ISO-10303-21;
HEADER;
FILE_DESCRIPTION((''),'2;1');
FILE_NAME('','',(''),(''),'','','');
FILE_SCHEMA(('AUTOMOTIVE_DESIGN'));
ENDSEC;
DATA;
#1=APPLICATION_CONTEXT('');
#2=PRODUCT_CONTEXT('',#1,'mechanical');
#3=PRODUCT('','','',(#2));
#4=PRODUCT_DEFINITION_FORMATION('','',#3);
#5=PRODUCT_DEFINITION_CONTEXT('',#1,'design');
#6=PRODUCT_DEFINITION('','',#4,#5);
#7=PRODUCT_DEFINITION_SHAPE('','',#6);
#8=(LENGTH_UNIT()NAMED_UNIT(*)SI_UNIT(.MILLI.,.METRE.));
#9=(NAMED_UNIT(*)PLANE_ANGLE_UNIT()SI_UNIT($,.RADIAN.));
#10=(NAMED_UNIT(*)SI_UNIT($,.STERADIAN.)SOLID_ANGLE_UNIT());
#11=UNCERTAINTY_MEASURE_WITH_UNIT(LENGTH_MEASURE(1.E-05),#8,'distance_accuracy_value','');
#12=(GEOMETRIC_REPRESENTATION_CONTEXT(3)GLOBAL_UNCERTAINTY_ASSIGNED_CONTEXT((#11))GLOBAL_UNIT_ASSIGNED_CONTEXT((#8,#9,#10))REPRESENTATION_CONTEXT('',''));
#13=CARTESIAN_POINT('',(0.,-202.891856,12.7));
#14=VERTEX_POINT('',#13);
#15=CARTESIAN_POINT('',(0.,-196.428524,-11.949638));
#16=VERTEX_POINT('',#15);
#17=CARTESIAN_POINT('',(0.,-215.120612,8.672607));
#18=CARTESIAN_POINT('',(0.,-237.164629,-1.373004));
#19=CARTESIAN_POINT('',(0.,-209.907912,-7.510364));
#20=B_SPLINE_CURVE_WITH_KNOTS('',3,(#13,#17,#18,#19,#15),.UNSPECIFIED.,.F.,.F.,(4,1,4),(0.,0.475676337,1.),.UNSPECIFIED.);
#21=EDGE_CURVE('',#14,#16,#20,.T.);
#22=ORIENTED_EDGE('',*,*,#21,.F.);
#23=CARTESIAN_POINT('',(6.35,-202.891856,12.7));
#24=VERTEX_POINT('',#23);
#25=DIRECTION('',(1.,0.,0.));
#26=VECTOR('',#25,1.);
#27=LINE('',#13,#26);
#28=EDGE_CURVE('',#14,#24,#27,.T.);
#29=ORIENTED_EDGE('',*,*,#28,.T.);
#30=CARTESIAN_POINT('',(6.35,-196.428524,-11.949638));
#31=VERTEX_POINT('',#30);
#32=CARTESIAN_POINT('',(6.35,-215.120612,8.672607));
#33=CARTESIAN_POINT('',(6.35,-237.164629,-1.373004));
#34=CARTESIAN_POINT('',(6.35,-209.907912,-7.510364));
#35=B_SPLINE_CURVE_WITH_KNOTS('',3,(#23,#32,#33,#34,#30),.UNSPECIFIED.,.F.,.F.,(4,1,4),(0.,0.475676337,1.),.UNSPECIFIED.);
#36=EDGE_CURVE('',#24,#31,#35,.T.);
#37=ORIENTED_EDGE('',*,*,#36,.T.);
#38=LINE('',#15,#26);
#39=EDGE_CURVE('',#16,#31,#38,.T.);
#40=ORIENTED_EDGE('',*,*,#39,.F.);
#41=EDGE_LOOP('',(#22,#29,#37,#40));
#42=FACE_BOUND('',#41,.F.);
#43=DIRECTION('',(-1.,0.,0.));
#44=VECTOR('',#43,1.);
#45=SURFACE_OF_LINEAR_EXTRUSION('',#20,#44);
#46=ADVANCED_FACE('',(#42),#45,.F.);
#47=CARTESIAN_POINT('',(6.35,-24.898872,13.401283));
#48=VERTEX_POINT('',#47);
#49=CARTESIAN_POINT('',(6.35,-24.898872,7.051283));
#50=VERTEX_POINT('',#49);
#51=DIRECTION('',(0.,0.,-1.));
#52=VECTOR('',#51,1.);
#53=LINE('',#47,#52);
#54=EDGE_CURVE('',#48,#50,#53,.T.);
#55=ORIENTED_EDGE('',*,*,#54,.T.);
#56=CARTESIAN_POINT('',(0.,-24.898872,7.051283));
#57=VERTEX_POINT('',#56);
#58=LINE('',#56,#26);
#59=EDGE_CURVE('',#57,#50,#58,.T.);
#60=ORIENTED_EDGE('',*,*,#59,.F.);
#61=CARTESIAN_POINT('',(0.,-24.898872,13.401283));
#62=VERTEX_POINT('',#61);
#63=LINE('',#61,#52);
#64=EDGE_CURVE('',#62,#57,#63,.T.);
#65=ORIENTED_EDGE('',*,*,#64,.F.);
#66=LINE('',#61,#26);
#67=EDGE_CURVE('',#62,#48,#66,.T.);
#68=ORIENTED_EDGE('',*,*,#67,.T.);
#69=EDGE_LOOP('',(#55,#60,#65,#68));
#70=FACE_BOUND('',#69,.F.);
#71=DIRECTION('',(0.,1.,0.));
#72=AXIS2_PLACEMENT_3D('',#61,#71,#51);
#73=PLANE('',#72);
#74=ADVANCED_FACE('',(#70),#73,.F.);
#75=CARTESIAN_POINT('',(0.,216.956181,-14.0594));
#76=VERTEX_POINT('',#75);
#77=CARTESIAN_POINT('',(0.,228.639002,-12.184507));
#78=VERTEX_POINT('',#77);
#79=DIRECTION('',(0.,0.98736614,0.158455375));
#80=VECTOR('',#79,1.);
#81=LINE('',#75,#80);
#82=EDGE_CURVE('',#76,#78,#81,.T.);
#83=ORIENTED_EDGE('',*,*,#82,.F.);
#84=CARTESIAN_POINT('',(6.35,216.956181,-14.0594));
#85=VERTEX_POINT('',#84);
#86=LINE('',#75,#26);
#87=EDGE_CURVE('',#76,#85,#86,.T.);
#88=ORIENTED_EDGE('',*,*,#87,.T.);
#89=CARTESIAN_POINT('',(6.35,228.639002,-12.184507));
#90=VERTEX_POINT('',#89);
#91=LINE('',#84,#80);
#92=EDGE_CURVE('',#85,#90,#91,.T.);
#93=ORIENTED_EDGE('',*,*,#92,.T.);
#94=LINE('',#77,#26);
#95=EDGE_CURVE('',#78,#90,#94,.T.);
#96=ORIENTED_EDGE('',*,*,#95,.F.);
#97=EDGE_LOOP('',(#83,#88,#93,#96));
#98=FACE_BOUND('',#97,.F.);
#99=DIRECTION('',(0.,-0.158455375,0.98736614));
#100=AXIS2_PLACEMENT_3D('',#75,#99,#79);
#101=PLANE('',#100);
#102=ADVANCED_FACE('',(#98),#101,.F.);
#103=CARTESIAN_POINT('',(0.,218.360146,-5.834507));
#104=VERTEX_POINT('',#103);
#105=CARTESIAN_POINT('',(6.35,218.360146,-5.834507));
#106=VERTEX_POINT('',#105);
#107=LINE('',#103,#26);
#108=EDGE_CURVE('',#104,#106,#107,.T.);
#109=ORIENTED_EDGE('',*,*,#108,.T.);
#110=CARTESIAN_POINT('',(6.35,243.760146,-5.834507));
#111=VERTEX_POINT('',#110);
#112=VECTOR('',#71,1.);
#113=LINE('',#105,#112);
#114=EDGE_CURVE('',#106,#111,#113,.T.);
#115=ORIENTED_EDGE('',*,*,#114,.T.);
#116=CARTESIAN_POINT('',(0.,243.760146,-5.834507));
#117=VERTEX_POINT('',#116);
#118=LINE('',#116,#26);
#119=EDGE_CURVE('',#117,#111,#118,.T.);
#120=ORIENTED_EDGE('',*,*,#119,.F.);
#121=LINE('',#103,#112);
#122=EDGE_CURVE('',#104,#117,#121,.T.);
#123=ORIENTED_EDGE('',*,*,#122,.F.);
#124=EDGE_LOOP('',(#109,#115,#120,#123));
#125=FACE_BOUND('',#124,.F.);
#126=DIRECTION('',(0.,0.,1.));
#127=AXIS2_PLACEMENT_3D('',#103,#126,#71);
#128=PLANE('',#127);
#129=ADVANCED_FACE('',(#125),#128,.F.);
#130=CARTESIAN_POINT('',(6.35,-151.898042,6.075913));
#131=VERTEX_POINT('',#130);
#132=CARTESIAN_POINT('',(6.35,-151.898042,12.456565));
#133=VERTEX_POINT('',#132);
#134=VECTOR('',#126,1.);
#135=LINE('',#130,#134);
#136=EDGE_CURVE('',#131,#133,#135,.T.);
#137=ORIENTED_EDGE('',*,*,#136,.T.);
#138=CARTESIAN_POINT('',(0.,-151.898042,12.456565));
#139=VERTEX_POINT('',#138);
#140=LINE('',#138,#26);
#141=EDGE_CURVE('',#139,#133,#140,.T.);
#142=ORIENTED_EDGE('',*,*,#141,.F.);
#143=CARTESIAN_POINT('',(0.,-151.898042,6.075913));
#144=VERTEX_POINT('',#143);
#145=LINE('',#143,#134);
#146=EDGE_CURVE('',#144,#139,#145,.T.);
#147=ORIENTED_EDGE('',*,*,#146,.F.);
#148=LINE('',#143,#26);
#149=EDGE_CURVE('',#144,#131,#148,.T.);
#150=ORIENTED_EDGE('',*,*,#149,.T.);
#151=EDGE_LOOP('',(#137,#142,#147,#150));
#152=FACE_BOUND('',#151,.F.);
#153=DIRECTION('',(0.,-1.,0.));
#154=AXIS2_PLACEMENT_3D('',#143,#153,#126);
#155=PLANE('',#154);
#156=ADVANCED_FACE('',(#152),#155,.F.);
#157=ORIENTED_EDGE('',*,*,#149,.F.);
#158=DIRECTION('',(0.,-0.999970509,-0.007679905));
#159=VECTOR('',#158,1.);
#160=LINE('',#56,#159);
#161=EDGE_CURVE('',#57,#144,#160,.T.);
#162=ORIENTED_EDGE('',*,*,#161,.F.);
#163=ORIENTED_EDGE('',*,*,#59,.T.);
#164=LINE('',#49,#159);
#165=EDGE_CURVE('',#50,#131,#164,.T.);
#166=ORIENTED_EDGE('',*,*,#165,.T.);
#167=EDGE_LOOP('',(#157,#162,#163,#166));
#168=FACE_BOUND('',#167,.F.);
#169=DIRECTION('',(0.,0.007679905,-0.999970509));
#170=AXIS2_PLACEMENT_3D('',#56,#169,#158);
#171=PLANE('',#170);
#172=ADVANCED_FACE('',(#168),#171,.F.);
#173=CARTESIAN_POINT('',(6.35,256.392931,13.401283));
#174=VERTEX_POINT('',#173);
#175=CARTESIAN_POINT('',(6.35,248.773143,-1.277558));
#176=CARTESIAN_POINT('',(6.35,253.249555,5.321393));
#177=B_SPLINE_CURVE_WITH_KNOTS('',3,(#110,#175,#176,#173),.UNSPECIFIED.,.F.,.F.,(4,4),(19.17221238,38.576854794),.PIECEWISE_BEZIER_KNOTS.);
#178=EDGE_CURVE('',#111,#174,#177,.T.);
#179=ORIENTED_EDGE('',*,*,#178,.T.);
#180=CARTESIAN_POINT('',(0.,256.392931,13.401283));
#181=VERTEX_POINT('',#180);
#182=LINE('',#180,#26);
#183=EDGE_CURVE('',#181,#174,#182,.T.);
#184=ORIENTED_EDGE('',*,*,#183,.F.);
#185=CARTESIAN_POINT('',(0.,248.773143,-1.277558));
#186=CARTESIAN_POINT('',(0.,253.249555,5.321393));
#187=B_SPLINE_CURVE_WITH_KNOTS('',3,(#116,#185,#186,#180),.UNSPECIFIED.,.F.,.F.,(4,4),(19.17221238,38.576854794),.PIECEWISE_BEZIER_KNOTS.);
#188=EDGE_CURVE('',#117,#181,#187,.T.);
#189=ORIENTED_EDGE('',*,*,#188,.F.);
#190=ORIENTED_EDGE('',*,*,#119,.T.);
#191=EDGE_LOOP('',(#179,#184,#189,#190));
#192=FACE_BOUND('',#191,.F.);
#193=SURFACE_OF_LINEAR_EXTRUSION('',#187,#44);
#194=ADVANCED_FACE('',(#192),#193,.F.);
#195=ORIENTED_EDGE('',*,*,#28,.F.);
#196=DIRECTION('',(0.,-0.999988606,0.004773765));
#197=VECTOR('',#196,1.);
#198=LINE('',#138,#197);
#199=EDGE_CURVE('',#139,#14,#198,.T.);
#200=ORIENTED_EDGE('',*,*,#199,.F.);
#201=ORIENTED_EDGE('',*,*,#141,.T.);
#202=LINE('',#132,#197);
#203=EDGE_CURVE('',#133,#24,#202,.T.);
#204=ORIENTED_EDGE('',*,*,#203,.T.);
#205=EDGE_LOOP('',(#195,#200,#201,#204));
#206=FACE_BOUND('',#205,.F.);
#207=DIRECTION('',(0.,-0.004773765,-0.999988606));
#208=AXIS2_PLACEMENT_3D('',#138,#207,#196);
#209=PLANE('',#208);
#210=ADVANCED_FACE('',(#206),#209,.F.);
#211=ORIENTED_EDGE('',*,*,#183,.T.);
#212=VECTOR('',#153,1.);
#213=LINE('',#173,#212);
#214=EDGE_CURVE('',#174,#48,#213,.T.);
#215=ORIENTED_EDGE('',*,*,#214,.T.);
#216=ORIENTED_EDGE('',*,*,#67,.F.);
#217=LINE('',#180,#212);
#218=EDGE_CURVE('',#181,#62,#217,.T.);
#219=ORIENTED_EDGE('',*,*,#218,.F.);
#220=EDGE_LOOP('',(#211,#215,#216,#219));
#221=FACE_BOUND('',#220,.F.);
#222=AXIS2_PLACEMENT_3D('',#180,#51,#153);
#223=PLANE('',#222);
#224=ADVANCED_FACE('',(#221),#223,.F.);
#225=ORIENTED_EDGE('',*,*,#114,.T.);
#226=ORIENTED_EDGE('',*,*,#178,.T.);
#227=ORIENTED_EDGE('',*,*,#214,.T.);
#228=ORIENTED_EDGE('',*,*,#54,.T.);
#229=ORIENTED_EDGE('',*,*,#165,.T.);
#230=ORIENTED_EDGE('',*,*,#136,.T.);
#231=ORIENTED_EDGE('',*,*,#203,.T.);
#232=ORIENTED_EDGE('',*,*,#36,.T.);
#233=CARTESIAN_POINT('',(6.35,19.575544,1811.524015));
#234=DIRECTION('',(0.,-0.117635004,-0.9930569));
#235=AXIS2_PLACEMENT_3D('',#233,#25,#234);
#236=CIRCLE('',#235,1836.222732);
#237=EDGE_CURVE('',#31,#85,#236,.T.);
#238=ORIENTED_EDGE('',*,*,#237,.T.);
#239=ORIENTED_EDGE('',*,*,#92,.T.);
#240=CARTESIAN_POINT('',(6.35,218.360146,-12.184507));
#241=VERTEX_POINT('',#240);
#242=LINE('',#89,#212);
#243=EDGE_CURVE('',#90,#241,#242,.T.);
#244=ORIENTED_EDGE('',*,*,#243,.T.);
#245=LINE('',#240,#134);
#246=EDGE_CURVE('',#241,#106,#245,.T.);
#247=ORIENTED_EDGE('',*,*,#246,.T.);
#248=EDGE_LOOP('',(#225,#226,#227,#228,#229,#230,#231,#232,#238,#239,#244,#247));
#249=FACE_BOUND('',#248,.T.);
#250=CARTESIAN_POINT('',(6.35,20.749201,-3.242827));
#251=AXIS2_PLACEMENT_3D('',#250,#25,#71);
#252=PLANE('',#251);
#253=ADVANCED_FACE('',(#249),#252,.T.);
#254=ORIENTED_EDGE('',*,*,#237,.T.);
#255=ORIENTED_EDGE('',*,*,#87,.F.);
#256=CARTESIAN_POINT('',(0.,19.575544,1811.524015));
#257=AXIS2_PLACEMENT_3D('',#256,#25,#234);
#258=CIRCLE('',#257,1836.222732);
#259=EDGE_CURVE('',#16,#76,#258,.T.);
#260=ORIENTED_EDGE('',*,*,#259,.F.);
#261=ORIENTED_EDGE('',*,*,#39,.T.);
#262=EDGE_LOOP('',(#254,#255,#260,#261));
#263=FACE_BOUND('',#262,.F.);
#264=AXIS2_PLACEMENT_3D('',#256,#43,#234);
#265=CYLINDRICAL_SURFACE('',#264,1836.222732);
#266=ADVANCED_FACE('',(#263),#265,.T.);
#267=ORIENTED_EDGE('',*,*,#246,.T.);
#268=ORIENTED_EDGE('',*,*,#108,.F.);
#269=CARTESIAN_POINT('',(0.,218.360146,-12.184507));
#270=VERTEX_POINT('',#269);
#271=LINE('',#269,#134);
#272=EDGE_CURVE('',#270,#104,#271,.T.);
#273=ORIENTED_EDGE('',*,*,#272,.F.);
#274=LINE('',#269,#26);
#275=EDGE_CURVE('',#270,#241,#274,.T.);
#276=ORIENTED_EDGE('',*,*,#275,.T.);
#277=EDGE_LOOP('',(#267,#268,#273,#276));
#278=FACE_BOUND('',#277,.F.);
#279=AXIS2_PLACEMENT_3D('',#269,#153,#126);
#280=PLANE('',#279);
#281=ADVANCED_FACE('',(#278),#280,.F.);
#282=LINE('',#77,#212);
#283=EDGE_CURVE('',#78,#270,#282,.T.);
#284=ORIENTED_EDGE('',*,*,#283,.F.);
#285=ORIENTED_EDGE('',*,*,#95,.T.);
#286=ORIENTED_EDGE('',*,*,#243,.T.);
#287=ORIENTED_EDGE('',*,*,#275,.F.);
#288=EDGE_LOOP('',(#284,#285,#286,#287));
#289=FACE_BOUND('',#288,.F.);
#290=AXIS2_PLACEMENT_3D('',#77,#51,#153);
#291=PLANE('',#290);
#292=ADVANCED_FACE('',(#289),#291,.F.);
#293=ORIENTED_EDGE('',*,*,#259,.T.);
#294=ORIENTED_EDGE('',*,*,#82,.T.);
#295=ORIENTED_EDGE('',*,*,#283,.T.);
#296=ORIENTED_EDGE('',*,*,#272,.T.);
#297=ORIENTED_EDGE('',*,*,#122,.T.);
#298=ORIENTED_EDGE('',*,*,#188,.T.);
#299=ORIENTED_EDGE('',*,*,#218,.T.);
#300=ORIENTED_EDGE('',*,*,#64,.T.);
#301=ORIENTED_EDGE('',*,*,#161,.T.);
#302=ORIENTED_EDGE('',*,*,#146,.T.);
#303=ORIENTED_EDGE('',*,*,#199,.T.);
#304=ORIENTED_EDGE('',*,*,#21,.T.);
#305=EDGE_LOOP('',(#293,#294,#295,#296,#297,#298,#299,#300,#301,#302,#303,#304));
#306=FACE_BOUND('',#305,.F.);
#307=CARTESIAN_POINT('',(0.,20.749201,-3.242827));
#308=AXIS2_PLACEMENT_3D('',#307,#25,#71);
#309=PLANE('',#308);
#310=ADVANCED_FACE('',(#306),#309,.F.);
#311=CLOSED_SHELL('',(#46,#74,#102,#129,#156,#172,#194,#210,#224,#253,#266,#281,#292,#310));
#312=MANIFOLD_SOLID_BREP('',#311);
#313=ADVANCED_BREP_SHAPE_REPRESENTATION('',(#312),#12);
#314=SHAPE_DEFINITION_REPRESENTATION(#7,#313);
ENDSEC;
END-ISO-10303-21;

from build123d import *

# Parameters (mm, degrees)
F1_DEPTH = 6.35


with BuildPart() as f1:
    # F0 (on Right) → F1 (new body)
    with BuildSketch(Plane.YZ):
        with BuildLine():
            Line((-151.8980418446, 6.0759130949), (-151.8980418446, 12.4565647503))
            Line((-151.8980418446, 12.4565647503), (-202.891856432, 12.7))
            add(Edge.make_bspline(
                [(-202.891856432, 12.7), (-215.1206120084, 8.6726070091), (-237.16462935, -1.3730042529), (-209.9079122757, -7.5103641369), (-196.4285242841, -11.9496378127)],
                knots=[0, 0, 0, 0, 0.4756763375, 1, 1, 1, 1], degree=3))
            ThreePointArc((-196.4285242841, -11.9496378127), (10.2042676339, -24.674803041), (216.9561811447, -14.0593998225))
            Line((216.9561811447, -14.0593998225), (228.6390024621, -12.1845068598))
            Line((228.6390024621, -12.1845068598), (218.3601457434, -12.1845068598))
            Line((218.3601457434, -12.1845068598), (218.3601457434, -5.8345068598))
            Line((218.3601457434, -5.8345068598), (243.7601457434, -5.8345068598))
            add(Edge.make_bspline(
                [(243.7601457434, -5.8345068598), (248.7731428179, -1.2775582425), (253.2495546938, 5.3213927641), (256.392930619, 13.4012833565)],
                knots=[19.1722123796, 19.1722123796, 19.1722123796, 19.1722123796, 38.5768547936, 38.5768547936, 38.5768547936, 38.5768547936], degree=3))
            Line((256.392930619, 13.4012833565), (-24.8988723263, 13.4012833565))
            Line((-24.8988723263, 13.4012833565), (-24.8988723263, 7.0512833565))
            Line((-24.8988723263, 7.0512833565), (-151.8980418446, 6.0759130949))
        make_face()
    extrude(amount=F1_DEPTH)


solid = f1.part
